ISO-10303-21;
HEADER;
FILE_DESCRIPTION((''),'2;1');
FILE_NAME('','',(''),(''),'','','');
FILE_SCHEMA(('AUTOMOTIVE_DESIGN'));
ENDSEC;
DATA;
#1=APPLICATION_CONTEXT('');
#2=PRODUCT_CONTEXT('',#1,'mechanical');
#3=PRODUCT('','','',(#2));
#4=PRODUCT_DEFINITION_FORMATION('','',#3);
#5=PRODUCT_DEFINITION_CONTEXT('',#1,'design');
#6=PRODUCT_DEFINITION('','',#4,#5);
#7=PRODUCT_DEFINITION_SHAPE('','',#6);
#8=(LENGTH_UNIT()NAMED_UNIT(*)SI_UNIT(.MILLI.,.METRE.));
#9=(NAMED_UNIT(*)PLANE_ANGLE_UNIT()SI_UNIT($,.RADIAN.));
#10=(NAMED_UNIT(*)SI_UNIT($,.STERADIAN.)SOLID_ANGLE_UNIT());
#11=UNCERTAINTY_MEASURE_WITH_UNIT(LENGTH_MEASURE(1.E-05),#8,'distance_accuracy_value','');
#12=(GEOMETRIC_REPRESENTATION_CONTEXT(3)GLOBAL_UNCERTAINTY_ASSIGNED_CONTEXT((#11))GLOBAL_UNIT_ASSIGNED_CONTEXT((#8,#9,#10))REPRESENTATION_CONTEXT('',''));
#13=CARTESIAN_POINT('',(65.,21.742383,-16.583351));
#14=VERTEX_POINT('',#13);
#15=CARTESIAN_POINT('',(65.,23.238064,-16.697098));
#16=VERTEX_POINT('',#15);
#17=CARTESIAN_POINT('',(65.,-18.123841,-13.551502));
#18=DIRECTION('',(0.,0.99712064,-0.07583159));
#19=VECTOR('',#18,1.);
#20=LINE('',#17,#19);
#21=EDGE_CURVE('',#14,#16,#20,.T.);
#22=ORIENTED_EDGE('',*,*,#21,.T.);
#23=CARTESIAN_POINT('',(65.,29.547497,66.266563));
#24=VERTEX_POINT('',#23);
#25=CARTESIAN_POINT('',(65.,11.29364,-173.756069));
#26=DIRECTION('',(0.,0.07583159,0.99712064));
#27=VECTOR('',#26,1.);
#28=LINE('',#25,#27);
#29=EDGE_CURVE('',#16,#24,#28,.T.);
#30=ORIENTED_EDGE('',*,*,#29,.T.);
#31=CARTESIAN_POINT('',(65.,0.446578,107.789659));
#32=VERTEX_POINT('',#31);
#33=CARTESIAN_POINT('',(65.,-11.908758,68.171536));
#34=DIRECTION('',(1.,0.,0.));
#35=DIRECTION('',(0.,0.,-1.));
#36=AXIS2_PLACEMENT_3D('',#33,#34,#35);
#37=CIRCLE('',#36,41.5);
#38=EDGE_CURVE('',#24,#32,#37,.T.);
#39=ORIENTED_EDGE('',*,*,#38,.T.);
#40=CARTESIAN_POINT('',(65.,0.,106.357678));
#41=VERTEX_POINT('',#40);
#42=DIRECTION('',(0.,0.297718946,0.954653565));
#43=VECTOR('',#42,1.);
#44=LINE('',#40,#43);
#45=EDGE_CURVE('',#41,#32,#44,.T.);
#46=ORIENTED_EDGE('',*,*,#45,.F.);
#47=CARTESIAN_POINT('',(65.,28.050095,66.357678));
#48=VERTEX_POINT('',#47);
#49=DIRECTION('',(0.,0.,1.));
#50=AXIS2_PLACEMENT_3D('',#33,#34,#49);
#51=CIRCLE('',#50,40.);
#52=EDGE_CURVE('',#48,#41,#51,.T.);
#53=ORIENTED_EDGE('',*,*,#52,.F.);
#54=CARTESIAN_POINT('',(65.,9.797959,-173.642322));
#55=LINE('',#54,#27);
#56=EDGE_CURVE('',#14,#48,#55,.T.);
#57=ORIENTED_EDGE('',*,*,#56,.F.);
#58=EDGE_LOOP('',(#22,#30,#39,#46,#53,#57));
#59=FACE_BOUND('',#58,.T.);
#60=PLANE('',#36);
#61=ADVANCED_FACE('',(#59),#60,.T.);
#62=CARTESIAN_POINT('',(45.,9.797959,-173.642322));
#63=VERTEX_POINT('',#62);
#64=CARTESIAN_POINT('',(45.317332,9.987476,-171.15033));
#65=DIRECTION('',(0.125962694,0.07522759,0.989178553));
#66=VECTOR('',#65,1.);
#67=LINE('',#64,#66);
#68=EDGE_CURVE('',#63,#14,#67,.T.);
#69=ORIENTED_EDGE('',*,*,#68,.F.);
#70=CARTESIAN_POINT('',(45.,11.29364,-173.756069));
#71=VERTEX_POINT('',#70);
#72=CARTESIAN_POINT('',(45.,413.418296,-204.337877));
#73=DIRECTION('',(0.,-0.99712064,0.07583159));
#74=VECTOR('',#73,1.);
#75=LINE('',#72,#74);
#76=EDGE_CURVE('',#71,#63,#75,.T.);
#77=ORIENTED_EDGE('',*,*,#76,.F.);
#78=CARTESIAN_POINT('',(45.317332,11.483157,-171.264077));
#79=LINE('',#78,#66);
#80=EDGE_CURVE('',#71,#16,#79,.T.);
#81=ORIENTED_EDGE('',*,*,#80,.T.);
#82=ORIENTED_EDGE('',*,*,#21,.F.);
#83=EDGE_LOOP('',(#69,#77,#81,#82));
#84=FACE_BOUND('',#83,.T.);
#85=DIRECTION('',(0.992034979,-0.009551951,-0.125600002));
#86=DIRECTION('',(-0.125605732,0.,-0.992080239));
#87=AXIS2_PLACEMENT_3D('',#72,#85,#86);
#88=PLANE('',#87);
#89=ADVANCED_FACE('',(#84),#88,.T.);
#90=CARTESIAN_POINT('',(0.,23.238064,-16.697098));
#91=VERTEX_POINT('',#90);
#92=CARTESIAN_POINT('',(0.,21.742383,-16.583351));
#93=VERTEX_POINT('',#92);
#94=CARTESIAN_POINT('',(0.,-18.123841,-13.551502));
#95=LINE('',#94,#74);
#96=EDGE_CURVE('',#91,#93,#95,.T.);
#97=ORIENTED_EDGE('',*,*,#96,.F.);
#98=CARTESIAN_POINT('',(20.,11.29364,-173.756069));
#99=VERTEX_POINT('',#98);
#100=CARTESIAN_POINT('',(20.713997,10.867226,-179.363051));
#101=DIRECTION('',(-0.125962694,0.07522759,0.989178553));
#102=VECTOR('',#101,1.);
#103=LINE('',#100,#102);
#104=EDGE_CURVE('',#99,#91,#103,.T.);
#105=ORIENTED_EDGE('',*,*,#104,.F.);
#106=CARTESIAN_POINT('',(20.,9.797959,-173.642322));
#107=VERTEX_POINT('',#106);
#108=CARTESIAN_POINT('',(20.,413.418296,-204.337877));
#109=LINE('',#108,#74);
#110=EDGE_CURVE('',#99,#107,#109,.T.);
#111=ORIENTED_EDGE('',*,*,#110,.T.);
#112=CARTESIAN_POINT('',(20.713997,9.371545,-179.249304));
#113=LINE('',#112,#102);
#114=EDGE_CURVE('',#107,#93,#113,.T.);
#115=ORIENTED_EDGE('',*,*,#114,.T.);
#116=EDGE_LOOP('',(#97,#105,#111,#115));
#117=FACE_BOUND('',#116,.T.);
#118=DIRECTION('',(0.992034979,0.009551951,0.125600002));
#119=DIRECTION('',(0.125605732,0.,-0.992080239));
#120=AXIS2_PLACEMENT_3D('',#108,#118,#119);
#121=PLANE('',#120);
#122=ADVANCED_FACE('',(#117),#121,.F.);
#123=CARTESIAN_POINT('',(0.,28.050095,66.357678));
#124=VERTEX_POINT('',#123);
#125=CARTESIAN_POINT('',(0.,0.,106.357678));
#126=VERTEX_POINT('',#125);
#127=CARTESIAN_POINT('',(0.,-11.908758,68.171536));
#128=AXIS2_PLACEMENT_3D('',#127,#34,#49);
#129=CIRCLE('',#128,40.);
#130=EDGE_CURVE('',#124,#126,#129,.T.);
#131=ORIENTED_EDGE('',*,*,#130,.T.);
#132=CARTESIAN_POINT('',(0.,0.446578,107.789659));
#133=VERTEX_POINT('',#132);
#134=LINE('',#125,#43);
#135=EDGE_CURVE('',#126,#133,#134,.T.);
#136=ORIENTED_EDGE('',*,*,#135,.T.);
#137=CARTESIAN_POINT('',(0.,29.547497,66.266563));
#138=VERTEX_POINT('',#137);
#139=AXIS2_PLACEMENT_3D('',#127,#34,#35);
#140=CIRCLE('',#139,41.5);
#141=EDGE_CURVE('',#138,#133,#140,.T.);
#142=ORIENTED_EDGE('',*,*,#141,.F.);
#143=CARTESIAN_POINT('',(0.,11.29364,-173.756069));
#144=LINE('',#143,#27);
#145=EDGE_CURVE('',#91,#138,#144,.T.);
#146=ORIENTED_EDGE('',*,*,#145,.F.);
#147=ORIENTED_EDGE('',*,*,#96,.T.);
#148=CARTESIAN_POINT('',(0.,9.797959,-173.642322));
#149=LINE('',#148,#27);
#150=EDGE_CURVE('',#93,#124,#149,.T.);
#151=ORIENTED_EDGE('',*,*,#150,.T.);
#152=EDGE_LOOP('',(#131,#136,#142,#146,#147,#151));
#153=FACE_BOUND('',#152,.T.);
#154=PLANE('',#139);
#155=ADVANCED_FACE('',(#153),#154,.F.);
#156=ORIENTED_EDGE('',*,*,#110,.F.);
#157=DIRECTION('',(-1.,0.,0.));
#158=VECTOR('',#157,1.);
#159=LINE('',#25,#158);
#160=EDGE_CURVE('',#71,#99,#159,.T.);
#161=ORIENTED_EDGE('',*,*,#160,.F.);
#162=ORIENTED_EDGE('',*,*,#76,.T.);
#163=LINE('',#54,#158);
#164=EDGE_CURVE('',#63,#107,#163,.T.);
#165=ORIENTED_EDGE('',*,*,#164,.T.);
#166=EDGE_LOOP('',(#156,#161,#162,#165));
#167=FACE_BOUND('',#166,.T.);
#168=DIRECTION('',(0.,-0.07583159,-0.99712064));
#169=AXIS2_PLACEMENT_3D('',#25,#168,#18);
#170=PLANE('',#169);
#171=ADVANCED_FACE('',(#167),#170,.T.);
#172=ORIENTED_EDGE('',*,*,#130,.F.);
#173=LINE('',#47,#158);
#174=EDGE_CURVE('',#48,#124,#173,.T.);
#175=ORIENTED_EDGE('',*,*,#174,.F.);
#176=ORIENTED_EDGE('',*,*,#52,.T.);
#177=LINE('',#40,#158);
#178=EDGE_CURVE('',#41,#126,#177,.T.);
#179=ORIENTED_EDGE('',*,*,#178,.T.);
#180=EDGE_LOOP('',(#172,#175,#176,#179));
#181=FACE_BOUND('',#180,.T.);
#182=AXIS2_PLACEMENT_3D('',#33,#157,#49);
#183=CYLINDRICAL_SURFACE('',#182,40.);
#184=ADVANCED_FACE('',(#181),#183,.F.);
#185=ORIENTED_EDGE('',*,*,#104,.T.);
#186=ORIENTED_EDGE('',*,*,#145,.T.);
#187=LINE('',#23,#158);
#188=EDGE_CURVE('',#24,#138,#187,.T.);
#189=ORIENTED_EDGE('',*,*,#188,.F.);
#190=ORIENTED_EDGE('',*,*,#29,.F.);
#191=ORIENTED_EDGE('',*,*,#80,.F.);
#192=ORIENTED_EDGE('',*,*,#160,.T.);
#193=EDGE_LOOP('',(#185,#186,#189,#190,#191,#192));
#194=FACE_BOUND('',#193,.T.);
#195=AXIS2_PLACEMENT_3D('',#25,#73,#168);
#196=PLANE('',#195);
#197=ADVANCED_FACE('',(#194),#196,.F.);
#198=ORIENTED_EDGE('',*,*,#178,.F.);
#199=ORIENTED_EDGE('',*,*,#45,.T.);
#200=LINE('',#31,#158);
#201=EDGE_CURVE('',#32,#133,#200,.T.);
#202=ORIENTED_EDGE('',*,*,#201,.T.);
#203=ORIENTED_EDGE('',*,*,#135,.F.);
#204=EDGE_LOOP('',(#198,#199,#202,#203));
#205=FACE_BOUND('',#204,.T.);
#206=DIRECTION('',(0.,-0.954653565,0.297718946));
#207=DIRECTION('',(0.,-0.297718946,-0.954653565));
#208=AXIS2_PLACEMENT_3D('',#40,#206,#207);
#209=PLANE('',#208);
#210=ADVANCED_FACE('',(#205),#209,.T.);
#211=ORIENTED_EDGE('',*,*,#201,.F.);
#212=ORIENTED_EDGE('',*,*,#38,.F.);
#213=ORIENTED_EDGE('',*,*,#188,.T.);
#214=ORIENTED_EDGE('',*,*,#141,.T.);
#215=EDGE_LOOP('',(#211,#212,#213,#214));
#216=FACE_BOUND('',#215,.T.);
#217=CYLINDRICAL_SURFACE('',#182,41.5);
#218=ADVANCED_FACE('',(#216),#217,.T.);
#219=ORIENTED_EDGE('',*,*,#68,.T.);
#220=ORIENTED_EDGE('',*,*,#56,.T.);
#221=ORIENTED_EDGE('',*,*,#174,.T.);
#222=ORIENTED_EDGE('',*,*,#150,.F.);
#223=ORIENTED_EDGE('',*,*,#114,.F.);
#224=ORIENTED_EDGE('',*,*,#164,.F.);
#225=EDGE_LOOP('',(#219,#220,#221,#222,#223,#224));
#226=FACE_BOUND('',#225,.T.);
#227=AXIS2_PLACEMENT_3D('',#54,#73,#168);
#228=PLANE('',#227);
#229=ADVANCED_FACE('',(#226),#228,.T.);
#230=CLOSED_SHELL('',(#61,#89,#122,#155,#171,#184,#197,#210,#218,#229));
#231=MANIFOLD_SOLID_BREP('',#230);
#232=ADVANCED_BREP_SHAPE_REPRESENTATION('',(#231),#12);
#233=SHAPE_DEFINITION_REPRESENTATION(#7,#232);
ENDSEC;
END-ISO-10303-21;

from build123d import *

# Parameters (mm, degrees)
EXTRUDE_THIN2_DEPTH     = 65
CUT_EXTRUDE3_DEPTH      = 186.389784583
CUT_EXTRUDE3_DEPTH_BACK = 186.389784583
CUT_EXTRUDE4_DEPTH      = 186.389784583
CUT_EXTRUDE4_DEPTH_BACK = 186.389784583


with BuildPart() as part:
    # Sketch1 → Extrude-Thin2 (new body)
    with BuildSketch(Plane(origin=(0, 0, 0), x_dir=(0, 0, -1), z_dir=(1, 0, 0))):
        with BuildLine():
            Line((173.642321834, 9.797958971), (-66.357678166, 28.050095))
            ThreePointArc((-66.357678166, 28.050095), (-91.137548283, 20.841238484), (-106.357678166, 0))
            Line((-106.357678166, 0), (-107.789658514, 0.446578419))
            ThreePointArc((-107.789658514, 0.446578419), (-91.989308326, 22.075999038), (-66.266563175, 29.547497166))
            Line((-66.266563175, 29.547497166), (173.756069218, 11.293639931))
            Line((173.756069218, 11.293639931), (173.642321834, 9.797958971))
        make_face()
    extrude(amount=EXTRUDE_THIN2_DEPTH)

    # Sketch2 → Cut-Extrude3 (cut, two sides: drawn at the far end of the back side and taken through both)
    with BuildSketch(Plane(origin=(0, 24.366956586, -1.853120859), x_dir=(1, 0, 0), z_dir=(0, 0.9971206396362033, -0.07583158979929651)).offset(-CUT_EXTRUDE3_DEPTH_BACK)):
        Polygon((93.231917992, 749.14649506), (20, 172.399348209), (0, 14.886842005), (-73.231917992, -561.860304846), (-1226.726211693, -415.396468862), (-1060.262375709, 895.610331043), align=None)
    extrude(amount=CUT_EXTRUDE3_DEPTH + CUT_EXTRUDE3_DEPTH_BACK, mode=Mode.SUBTRACT)

    # Sketch4 → Cut-Extrude4 (cut, two sides: drawn at the far end of the back side and taken through both)
    with BuildSketch(Plane(origin=(0, 24.366956586, -1.853120859), x_dir=(1, 0, 0), z_dir=(0, 0.9971206396362033, -0.07583158979929651)).offset(-CUT_EXTRUDE4_DEPTH_BACK)):
        Polygon((-28.231917992, 749.14649506), (45, 172.399348209), (65, 14.886842005), (138.231917992, -561.860304846), (1291.726211693, -415.396468862), (1125.262375709, 895.610331043), align=None)
    extrude(amount=CUT_EXTRUDE4_DEPTH + CUT_EXTRUDE4_DEPTH_BACK, mode=Mode.SUBTRACT)


solid = part.part
